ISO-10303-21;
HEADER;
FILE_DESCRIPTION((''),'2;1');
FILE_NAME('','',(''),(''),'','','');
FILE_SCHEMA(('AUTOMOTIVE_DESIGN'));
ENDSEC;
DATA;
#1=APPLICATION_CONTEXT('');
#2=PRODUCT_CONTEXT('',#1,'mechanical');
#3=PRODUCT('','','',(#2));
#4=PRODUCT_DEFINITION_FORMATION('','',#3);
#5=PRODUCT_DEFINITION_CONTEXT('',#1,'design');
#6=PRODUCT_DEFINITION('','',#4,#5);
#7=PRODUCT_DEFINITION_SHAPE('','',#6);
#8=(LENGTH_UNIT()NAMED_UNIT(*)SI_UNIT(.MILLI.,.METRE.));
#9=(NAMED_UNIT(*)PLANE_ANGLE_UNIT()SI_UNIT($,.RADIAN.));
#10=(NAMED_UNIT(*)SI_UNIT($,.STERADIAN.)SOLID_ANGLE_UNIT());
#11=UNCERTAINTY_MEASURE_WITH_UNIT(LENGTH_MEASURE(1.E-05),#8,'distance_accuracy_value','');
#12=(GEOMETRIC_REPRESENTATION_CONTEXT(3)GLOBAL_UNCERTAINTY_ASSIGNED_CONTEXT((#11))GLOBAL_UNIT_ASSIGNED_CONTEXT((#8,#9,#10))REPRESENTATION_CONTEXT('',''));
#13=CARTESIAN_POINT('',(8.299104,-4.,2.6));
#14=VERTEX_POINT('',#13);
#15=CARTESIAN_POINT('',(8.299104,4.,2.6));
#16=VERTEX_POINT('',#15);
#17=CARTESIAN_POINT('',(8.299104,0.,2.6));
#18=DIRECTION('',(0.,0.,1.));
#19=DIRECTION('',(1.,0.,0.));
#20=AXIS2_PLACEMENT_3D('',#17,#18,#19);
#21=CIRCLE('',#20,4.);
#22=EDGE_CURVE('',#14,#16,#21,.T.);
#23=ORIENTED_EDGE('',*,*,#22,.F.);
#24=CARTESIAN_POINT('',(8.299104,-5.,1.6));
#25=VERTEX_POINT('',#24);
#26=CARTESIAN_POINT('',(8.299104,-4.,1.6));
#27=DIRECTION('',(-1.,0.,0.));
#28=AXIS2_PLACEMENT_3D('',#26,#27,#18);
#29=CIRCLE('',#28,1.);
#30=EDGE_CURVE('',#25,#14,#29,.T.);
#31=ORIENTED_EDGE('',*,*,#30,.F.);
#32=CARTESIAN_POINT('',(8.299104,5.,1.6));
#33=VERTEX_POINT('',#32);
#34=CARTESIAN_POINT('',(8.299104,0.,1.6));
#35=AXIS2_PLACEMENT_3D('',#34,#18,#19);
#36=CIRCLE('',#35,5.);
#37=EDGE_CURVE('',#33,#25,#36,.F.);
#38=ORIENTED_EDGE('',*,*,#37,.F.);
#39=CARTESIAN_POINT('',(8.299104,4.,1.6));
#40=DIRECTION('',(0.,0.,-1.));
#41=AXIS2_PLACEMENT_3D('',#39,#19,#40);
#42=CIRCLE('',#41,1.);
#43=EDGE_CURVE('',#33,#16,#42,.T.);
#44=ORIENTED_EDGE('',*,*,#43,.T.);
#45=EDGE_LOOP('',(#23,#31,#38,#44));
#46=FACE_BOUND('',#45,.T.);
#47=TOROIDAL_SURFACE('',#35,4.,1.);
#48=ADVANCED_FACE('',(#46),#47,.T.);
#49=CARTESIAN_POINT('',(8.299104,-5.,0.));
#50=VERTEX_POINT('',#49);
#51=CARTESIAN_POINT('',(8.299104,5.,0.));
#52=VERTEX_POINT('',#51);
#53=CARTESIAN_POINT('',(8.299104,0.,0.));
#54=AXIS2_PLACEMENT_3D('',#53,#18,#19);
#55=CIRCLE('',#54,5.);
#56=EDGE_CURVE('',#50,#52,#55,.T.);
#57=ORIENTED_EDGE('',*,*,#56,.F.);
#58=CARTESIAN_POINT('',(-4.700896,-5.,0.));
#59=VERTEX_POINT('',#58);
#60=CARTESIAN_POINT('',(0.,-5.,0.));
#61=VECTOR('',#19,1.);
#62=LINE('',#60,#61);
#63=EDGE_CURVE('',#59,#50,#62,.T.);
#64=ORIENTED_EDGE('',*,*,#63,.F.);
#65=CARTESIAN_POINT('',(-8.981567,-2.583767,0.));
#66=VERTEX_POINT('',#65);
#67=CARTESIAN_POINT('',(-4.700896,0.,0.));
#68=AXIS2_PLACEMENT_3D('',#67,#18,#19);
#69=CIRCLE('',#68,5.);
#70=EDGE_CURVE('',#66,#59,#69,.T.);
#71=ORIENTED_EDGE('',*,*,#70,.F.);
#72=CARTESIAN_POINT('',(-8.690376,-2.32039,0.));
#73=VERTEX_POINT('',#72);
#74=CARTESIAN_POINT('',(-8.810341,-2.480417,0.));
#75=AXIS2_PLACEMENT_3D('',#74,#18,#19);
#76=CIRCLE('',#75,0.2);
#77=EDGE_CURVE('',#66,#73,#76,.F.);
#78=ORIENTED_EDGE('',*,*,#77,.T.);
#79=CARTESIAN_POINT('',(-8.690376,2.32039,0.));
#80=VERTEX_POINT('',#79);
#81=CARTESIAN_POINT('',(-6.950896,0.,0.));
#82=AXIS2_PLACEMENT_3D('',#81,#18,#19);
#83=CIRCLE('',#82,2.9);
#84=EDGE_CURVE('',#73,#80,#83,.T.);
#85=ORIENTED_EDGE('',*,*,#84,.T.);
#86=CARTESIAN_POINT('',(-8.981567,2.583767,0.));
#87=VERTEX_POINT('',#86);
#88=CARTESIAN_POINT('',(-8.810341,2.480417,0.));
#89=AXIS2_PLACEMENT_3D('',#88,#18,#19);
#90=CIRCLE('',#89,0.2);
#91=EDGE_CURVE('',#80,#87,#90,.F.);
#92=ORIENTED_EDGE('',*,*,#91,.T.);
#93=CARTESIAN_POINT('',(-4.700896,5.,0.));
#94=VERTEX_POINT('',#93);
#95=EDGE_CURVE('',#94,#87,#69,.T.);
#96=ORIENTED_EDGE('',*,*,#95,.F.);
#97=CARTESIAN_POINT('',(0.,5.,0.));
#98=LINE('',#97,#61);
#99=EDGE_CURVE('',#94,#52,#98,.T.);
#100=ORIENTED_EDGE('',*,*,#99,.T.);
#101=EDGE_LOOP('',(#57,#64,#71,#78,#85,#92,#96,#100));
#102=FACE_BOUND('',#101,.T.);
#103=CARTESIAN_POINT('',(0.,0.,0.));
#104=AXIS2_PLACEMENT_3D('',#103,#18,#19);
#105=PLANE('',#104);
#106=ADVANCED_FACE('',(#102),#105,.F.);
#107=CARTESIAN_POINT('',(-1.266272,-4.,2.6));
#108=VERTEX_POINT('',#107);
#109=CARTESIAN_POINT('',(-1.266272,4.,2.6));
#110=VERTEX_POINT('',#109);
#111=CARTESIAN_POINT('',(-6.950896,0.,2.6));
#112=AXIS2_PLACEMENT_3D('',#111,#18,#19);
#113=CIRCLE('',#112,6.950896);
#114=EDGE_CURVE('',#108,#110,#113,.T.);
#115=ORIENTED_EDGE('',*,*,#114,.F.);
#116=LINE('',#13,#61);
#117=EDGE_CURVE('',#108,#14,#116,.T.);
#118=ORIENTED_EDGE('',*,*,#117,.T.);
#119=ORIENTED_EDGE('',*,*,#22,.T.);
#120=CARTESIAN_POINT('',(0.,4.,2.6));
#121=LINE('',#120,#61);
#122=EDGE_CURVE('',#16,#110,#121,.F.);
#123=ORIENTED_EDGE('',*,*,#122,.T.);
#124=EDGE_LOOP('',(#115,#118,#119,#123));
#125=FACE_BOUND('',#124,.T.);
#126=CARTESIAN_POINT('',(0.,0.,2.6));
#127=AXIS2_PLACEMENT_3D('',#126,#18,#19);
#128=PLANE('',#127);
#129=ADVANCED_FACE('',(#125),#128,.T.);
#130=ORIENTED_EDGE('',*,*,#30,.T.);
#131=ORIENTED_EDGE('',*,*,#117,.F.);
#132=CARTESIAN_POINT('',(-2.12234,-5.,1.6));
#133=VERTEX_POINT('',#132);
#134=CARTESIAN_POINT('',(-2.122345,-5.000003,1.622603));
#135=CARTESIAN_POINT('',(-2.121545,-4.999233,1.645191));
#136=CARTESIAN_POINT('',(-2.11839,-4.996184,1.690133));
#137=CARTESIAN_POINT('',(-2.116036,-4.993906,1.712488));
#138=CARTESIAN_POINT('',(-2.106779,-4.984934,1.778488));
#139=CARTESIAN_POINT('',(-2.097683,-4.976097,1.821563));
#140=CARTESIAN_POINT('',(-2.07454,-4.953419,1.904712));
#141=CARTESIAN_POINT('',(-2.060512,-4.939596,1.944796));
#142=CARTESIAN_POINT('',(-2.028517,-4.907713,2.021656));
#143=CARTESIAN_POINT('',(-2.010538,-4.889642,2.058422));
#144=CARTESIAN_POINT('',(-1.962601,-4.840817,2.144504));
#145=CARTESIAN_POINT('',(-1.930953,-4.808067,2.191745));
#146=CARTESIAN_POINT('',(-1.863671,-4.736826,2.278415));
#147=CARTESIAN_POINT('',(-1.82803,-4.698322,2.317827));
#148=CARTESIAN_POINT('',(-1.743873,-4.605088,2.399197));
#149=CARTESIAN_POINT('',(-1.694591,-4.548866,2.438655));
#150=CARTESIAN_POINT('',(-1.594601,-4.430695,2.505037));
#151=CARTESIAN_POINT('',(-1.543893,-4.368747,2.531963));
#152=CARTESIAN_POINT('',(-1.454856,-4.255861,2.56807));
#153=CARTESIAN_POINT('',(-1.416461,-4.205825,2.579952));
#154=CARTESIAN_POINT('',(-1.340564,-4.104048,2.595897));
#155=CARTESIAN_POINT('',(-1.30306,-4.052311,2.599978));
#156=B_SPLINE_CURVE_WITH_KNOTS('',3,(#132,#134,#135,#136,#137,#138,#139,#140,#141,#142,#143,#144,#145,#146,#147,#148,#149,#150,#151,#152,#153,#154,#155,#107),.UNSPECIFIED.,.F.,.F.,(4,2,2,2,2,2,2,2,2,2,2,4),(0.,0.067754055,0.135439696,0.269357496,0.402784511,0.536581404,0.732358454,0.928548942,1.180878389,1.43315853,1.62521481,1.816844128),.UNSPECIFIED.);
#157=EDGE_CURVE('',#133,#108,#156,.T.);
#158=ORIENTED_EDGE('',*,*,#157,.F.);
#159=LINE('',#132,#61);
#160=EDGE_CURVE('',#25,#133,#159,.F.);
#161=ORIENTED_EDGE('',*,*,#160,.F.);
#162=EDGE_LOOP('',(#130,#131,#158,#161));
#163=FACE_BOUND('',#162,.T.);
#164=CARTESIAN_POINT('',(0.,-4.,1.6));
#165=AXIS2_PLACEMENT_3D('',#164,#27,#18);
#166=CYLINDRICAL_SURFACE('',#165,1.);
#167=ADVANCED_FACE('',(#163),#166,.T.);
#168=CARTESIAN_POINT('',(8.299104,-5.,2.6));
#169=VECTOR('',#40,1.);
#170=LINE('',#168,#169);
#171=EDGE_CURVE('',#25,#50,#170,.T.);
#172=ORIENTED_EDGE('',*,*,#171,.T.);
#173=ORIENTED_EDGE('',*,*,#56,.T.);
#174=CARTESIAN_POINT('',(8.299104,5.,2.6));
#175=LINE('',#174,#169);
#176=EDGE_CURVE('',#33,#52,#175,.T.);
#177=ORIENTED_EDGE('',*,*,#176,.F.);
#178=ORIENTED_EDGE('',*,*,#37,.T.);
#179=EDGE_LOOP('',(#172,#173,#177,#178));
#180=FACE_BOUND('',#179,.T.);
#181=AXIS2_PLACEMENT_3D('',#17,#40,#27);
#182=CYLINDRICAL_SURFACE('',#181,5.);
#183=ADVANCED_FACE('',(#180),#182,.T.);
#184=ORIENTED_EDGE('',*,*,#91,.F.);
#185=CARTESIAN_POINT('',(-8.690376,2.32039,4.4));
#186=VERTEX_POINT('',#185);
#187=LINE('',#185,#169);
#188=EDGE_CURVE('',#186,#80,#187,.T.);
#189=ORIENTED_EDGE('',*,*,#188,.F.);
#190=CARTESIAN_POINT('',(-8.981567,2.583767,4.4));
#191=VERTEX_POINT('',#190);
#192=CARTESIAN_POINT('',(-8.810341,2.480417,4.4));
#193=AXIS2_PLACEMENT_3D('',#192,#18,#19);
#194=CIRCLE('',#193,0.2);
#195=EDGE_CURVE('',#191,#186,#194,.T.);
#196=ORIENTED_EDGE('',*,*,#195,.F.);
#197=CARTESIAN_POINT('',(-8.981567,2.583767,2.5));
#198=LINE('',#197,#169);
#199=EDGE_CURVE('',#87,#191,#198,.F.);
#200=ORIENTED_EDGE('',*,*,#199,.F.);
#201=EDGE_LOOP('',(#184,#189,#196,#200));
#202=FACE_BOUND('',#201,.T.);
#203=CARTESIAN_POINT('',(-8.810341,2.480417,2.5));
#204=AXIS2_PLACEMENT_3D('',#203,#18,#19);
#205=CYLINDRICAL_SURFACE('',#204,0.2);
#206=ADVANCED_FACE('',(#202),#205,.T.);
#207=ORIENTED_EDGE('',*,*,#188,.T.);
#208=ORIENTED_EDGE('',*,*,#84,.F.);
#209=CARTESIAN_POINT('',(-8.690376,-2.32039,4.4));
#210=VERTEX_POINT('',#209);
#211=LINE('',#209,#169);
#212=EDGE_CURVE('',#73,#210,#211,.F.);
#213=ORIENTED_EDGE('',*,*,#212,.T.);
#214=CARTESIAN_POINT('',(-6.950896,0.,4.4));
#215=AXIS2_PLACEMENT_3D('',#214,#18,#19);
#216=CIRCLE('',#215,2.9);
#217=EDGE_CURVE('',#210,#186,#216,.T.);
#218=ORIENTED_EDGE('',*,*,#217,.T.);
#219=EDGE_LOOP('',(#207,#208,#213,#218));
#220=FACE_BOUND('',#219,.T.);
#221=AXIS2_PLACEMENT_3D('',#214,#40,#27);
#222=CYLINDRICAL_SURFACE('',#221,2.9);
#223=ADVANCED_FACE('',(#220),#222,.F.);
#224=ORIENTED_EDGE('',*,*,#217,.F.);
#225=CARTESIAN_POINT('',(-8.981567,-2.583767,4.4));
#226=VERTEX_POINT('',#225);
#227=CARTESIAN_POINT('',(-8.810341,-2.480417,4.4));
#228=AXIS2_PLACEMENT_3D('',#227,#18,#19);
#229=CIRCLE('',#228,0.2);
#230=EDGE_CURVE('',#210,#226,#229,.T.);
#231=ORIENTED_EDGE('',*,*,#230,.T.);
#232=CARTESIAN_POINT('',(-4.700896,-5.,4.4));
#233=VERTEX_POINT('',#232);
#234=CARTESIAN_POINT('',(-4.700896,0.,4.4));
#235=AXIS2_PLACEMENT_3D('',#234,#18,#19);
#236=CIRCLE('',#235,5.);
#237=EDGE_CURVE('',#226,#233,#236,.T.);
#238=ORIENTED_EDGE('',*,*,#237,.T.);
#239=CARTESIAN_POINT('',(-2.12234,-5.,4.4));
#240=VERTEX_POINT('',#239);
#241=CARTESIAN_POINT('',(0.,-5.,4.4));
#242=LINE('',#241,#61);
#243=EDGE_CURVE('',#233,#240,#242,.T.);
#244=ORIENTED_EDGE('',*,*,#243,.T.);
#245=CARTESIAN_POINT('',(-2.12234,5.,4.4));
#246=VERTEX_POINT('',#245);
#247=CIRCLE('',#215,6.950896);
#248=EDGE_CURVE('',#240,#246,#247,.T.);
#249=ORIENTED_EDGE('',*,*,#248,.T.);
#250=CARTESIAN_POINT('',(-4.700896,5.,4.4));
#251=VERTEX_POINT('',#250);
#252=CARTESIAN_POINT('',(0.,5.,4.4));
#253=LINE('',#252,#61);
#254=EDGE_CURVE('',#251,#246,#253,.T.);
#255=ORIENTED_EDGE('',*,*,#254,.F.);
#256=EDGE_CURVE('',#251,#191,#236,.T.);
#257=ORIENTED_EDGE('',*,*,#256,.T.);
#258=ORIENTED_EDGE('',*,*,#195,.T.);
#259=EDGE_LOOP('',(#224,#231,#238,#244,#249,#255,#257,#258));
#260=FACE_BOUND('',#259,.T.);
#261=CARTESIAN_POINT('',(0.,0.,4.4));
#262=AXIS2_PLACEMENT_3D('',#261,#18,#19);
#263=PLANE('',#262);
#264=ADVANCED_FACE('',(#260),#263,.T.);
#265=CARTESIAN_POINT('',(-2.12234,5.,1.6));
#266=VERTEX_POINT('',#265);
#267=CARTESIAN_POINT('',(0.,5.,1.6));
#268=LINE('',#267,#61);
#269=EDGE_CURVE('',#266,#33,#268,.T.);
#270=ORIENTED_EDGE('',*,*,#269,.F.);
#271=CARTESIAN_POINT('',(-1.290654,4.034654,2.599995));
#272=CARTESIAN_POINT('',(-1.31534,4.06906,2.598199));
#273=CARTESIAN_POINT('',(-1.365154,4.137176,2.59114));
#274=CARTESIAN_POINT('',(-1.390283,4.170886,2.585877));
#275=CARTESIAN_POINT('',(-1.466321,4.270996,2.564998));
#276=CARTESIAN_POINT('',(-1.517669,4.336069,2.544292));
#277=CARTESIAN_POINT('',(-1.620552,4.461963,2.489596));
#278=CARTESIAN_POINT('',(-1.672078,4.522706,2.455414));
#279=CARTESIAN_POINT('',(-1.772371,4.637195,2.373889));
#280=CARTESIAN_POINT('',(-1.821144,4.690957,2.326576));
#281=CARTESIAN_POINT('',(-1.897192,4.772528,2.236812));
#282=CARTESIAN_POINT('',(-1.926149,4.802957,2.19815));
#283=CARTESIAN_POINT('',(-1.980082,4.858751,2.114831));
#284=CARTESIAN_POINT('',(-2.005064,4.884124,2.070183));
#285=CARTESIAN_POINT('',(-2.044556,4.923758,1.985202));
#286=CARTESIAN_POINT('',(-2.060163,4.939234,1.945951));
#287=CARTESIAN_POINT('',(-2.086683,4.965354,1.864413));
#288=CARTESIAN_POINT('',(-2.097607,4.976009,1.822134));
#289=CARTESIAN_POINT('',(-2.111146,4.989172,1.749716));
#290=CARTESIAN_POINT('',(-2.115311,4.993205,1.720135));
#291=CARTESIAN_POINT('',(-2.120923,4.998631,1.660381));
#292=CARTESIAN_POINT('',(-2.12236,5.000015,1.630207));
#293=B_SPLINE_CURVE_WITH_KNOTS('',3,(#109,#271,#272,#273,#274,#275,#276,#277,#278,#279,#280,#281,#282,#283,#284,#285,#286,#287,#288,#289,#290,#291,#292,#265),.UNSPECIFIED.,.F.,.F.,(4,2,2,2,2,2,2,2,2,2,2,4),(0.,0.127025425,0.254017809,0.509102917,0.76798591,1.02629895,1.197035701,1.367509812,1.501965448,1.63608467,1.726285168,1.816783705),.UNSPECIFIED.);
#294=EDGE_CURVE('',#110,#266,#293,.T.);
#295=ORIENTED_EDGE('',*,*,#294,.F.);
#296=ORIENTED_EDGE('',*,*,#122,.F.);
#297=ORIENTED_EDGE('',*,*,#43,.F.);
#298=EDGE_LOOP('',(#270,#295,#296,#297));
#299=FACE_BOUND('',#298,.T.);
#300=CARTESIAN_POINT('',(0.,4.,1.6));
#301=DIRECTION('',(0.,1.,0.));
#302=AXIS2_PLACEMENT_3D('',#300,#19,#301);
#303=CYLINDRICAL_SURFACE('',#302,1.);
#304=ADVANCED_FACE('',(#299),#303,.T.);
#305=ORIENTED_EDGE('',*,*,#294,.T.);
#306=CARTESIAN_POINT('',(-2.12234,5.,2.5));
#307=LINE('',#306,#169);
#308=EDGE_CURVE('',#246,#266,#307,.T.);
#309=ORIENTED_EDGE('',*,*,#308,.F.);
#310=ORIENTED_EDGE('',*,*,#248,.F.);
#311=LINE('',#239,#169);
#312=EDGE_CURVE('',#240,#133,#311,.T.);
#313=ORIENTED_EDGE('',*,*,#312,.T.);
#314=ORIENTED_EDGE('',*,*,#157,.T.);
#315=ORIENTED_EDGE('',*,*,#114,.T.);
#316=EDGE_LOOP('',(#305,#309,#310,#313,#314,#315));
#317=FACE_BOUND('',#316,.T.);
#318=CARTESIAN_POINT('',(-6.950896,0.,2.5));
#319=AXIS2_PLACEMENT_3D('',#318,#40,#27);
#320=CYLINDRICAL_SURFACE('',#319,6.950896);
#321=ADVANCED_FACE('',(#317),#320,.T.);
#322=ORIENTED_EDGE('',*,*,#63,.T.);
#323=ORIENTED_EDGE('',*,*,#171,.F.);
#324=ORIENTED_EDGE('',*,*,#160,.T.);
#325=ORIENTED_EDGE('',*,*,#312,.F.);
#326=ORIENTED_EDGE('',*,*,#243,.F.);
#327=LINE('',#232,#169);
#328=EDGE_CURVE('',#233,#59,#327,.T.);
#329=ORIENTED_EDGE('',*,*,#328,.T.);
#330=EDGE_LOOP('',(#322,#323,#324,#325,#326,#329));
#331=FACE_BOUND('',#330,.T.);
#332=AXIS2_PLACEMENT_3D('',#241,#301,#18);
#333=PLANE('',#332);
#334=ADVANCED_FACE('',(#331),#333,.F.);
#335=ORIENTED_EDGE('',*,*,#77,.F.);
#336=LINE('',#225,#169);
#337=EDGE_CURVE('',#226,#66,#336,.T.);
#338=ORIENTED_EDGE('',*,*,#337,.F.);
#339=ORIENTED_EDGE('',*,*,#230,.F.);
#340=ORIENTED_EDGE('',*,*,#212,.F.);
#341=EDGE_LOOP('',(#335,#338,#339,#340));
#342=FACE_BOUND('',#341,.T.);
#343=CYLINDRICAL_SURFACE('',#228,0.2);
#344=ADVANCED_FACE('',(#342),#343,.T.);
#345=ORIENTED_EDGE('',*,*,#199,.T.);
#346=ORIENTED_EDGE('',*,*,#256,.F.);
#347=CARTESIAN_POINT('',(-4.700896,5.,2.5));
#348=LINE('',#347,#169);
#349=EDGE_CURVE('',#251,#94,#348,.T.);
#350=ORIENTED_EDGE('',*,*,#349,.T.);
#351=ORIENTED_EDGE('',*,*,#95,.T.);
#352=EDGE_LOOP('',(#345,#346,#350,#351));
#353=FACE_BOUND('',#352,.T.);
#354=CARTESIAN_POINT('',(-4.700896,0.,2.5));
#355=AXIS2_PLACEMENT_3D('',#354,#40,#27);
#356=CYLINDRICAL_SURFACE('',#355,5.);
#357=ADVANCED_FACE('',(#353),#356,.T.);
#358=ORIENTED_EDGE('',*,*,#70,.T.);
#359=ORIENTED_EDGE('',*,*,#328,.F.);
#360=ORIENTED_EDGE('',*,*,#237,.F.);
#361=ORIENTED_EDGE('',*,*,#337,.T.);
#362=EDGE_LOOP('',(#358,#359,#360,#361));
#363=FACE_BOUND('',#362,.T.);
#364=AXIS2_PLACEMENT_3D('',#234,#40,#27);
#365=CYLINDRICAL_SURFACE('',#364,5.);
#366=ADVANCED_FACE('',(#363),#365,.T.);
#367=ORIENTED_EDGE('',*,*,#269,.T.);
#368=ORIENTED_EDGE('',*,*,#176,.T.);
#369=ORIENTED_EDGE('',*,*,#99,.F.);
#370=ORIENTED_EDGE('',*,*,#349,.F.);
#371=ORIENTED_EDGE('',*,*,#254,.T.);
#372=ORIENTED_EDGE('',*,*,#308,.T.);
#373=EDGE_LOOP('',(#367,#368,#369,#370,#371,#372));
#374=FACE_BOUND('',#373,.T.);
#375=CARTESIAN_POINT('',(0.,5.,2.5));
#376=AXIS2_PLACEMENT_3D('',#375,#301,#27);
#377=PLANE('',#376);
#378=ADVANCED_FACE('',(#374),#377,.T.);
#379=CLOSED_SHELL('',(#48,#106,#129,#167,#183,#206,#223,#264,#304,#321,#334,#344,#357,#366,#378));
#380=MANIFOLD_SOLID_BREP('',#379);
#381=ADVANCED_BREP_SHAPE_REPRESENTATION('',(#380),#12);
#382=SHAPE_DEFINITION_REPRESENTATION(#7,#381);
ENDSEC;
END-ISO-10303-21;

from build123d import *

# Parameters (mm, degrees)
BOSS_EXTRUDE7_DEPTH  = 2.5
BOSS_EXTRUDE8_DEPTH  = 4.4
FILLET1_R            = 0.2
FILLET2_R            = 0.2
BOSS_EXTRUDE9_DEPTH  = 4.4
BOSS_EXTRUDE10_DEPTH = 2.6
FILLET3_R            = 1


with BuildPart() as part:
    # Sketch1 → Boss-Extrude7 (new body)
    with BuildSketch(Plane.XY):
        with BuildLine():
            ThreePointArc((-8.105508314, 3.661777672), (-4.68058624, 3.096358858), (-3.111398084, 0))
            Line((-3.111398084, 0), (0, 0))
            ThreePointArc((0, 0), (-0.552546694, 2.715894232), (-2.12233973, 5))
            Line((-2.12233973, 5), (-4.700896107, 5))
            ThreePointArc((-4.700896107, 5), (-6.529982168, 4.65343359), (-8.105508314, 3.661777672))
        make_face()
    extrude(amount=BOSS_EXTRUDE7_DEPTH)

    # Sketch1_7 → Boss-Extrude8 (add)
    with BuildSketch(Plane.XY):
        with BuildLine():
            ThreePointArc((-9.512562774, 1.359361574), (-6.250479564, 2.814145815), (-4.050896107, 0))
            Line((-4.050896107, 0), (-3.111398084, 0))
            ThreePointArc((-3.111398084, 0), (-4.68058624, 3.096358858), (-8.105508314, 3.661777672))
            ThreePointArc((-8.105508314, 3.661777672), (-8.967286807, 2.607280268), (-9.512562774, 1.359361574))
        make_face()
        with BuildLine():
            Line((-3.111398084, 0), (-4.050896107, 0))
            ThreePointArc((-4.050896107, 0), (-6.250479564, -2.814145815), (-9.512562774, -1.359361574))
            ThreePointArc((-9.512562774, -1.359361574), (-8.967286807, -2.607280268), (-8.105508314, -3.661777672))
            ThreePointArc((-8.105508314, -3.661777672), (-4.68058624, -3.096358858), (-3.111398084, 0))
        make_face()
    extrude(amount=BOSS_EXTRUDE8_DEPTH)

    # Fillet1
    fillet1_edges = [part.edges().sort_by_distance(p)[0] for p in [
        (-9.512562774, -1.359361574, 2.2),
    ]]
    fillet(fillet1_edges, radius=FILLET1_R)

    # Fillet2
    fillet2_edges = [part.edges().sort_by_distance(p)[0] for p in [
        (-9.512562774, 1.359361574, 2.2),
    ]]
    fillet(fillet2_edges, radius=FILLET2_R)

    # Sketch1_8 → Boss-Extrude9 (add)
    with BuildSketch(Plane.XY):
        with BuildLine():
            ThreePointArc((-8.105508314, 3.661777672), (-4.68058624, 3.096358858), (-3.111398084, 0))
            Line((-3.111398084, 0), (0, 0))
            ThreePointArc((0, 0), (-0.552546694, 2.715894232), (-2.12233973, 5))
            Line((-2.12233973, 5), (-4.700896107, 5))
            ThreePointArc((-4.700896107, 5), (-6.529982168, 4.65343359), (-8.105508314, 3.661777672))
        make_face()
        with BuildLine():
            Line((0, 0), (-3.111398084, 0))
            ThreePointArc((-3.111398084, 0), (-4.68058624, -3.096358858), (-8.105508314, -3.661777672))
            ThreePointArc((-8.105508314, -3.661777672), (-6.529982168, -4.65343359), (-4.700896107, -5))
            Line((-4.700896107, -5), (-2.12233973, -5))
            ThreePointArc((-2.12233973, -5), (-0.552546694, -2.715894232), (0, 0))
        make_face()
    extrude(amount=BOSS_EXTRUDE9_DEPTH)

    # Sketch1_12 → Boss-Extrude10 (add)
    with BuildSketch(Plane.XY):
        with BuildLine():
            Line((8.299103893, 5), (-2.12233973, 5))
            ThreePointArc((-2.12233973, 5), (-0.552546694, 2.715894232), (0, 0))
            ThreePointArc((0, 0), (-0.552546694, -2.715894232), (-2.12233973, -5))
            Line((-2.12233973, -5), (8.299103893, -5))
            ThreePointArc((8.299103893, -5), (13.299103893, 0), (8.299103893, 5))
        make_face()
    extrude(amount=BOSS_EXTRUDE10_DEPTH)

    # Fillet3
    fillet3_edges = [part.edges().sort_by_distance(p)[0] for p in [
        (3.088382082, 5, 2.6),
        (3.088382082, -5, 2.6),
        (13.299103893, 0, 2.6),
    ]]
    fillet(fillet3_edges, radius=FILLET3_R)


solid = part.part
